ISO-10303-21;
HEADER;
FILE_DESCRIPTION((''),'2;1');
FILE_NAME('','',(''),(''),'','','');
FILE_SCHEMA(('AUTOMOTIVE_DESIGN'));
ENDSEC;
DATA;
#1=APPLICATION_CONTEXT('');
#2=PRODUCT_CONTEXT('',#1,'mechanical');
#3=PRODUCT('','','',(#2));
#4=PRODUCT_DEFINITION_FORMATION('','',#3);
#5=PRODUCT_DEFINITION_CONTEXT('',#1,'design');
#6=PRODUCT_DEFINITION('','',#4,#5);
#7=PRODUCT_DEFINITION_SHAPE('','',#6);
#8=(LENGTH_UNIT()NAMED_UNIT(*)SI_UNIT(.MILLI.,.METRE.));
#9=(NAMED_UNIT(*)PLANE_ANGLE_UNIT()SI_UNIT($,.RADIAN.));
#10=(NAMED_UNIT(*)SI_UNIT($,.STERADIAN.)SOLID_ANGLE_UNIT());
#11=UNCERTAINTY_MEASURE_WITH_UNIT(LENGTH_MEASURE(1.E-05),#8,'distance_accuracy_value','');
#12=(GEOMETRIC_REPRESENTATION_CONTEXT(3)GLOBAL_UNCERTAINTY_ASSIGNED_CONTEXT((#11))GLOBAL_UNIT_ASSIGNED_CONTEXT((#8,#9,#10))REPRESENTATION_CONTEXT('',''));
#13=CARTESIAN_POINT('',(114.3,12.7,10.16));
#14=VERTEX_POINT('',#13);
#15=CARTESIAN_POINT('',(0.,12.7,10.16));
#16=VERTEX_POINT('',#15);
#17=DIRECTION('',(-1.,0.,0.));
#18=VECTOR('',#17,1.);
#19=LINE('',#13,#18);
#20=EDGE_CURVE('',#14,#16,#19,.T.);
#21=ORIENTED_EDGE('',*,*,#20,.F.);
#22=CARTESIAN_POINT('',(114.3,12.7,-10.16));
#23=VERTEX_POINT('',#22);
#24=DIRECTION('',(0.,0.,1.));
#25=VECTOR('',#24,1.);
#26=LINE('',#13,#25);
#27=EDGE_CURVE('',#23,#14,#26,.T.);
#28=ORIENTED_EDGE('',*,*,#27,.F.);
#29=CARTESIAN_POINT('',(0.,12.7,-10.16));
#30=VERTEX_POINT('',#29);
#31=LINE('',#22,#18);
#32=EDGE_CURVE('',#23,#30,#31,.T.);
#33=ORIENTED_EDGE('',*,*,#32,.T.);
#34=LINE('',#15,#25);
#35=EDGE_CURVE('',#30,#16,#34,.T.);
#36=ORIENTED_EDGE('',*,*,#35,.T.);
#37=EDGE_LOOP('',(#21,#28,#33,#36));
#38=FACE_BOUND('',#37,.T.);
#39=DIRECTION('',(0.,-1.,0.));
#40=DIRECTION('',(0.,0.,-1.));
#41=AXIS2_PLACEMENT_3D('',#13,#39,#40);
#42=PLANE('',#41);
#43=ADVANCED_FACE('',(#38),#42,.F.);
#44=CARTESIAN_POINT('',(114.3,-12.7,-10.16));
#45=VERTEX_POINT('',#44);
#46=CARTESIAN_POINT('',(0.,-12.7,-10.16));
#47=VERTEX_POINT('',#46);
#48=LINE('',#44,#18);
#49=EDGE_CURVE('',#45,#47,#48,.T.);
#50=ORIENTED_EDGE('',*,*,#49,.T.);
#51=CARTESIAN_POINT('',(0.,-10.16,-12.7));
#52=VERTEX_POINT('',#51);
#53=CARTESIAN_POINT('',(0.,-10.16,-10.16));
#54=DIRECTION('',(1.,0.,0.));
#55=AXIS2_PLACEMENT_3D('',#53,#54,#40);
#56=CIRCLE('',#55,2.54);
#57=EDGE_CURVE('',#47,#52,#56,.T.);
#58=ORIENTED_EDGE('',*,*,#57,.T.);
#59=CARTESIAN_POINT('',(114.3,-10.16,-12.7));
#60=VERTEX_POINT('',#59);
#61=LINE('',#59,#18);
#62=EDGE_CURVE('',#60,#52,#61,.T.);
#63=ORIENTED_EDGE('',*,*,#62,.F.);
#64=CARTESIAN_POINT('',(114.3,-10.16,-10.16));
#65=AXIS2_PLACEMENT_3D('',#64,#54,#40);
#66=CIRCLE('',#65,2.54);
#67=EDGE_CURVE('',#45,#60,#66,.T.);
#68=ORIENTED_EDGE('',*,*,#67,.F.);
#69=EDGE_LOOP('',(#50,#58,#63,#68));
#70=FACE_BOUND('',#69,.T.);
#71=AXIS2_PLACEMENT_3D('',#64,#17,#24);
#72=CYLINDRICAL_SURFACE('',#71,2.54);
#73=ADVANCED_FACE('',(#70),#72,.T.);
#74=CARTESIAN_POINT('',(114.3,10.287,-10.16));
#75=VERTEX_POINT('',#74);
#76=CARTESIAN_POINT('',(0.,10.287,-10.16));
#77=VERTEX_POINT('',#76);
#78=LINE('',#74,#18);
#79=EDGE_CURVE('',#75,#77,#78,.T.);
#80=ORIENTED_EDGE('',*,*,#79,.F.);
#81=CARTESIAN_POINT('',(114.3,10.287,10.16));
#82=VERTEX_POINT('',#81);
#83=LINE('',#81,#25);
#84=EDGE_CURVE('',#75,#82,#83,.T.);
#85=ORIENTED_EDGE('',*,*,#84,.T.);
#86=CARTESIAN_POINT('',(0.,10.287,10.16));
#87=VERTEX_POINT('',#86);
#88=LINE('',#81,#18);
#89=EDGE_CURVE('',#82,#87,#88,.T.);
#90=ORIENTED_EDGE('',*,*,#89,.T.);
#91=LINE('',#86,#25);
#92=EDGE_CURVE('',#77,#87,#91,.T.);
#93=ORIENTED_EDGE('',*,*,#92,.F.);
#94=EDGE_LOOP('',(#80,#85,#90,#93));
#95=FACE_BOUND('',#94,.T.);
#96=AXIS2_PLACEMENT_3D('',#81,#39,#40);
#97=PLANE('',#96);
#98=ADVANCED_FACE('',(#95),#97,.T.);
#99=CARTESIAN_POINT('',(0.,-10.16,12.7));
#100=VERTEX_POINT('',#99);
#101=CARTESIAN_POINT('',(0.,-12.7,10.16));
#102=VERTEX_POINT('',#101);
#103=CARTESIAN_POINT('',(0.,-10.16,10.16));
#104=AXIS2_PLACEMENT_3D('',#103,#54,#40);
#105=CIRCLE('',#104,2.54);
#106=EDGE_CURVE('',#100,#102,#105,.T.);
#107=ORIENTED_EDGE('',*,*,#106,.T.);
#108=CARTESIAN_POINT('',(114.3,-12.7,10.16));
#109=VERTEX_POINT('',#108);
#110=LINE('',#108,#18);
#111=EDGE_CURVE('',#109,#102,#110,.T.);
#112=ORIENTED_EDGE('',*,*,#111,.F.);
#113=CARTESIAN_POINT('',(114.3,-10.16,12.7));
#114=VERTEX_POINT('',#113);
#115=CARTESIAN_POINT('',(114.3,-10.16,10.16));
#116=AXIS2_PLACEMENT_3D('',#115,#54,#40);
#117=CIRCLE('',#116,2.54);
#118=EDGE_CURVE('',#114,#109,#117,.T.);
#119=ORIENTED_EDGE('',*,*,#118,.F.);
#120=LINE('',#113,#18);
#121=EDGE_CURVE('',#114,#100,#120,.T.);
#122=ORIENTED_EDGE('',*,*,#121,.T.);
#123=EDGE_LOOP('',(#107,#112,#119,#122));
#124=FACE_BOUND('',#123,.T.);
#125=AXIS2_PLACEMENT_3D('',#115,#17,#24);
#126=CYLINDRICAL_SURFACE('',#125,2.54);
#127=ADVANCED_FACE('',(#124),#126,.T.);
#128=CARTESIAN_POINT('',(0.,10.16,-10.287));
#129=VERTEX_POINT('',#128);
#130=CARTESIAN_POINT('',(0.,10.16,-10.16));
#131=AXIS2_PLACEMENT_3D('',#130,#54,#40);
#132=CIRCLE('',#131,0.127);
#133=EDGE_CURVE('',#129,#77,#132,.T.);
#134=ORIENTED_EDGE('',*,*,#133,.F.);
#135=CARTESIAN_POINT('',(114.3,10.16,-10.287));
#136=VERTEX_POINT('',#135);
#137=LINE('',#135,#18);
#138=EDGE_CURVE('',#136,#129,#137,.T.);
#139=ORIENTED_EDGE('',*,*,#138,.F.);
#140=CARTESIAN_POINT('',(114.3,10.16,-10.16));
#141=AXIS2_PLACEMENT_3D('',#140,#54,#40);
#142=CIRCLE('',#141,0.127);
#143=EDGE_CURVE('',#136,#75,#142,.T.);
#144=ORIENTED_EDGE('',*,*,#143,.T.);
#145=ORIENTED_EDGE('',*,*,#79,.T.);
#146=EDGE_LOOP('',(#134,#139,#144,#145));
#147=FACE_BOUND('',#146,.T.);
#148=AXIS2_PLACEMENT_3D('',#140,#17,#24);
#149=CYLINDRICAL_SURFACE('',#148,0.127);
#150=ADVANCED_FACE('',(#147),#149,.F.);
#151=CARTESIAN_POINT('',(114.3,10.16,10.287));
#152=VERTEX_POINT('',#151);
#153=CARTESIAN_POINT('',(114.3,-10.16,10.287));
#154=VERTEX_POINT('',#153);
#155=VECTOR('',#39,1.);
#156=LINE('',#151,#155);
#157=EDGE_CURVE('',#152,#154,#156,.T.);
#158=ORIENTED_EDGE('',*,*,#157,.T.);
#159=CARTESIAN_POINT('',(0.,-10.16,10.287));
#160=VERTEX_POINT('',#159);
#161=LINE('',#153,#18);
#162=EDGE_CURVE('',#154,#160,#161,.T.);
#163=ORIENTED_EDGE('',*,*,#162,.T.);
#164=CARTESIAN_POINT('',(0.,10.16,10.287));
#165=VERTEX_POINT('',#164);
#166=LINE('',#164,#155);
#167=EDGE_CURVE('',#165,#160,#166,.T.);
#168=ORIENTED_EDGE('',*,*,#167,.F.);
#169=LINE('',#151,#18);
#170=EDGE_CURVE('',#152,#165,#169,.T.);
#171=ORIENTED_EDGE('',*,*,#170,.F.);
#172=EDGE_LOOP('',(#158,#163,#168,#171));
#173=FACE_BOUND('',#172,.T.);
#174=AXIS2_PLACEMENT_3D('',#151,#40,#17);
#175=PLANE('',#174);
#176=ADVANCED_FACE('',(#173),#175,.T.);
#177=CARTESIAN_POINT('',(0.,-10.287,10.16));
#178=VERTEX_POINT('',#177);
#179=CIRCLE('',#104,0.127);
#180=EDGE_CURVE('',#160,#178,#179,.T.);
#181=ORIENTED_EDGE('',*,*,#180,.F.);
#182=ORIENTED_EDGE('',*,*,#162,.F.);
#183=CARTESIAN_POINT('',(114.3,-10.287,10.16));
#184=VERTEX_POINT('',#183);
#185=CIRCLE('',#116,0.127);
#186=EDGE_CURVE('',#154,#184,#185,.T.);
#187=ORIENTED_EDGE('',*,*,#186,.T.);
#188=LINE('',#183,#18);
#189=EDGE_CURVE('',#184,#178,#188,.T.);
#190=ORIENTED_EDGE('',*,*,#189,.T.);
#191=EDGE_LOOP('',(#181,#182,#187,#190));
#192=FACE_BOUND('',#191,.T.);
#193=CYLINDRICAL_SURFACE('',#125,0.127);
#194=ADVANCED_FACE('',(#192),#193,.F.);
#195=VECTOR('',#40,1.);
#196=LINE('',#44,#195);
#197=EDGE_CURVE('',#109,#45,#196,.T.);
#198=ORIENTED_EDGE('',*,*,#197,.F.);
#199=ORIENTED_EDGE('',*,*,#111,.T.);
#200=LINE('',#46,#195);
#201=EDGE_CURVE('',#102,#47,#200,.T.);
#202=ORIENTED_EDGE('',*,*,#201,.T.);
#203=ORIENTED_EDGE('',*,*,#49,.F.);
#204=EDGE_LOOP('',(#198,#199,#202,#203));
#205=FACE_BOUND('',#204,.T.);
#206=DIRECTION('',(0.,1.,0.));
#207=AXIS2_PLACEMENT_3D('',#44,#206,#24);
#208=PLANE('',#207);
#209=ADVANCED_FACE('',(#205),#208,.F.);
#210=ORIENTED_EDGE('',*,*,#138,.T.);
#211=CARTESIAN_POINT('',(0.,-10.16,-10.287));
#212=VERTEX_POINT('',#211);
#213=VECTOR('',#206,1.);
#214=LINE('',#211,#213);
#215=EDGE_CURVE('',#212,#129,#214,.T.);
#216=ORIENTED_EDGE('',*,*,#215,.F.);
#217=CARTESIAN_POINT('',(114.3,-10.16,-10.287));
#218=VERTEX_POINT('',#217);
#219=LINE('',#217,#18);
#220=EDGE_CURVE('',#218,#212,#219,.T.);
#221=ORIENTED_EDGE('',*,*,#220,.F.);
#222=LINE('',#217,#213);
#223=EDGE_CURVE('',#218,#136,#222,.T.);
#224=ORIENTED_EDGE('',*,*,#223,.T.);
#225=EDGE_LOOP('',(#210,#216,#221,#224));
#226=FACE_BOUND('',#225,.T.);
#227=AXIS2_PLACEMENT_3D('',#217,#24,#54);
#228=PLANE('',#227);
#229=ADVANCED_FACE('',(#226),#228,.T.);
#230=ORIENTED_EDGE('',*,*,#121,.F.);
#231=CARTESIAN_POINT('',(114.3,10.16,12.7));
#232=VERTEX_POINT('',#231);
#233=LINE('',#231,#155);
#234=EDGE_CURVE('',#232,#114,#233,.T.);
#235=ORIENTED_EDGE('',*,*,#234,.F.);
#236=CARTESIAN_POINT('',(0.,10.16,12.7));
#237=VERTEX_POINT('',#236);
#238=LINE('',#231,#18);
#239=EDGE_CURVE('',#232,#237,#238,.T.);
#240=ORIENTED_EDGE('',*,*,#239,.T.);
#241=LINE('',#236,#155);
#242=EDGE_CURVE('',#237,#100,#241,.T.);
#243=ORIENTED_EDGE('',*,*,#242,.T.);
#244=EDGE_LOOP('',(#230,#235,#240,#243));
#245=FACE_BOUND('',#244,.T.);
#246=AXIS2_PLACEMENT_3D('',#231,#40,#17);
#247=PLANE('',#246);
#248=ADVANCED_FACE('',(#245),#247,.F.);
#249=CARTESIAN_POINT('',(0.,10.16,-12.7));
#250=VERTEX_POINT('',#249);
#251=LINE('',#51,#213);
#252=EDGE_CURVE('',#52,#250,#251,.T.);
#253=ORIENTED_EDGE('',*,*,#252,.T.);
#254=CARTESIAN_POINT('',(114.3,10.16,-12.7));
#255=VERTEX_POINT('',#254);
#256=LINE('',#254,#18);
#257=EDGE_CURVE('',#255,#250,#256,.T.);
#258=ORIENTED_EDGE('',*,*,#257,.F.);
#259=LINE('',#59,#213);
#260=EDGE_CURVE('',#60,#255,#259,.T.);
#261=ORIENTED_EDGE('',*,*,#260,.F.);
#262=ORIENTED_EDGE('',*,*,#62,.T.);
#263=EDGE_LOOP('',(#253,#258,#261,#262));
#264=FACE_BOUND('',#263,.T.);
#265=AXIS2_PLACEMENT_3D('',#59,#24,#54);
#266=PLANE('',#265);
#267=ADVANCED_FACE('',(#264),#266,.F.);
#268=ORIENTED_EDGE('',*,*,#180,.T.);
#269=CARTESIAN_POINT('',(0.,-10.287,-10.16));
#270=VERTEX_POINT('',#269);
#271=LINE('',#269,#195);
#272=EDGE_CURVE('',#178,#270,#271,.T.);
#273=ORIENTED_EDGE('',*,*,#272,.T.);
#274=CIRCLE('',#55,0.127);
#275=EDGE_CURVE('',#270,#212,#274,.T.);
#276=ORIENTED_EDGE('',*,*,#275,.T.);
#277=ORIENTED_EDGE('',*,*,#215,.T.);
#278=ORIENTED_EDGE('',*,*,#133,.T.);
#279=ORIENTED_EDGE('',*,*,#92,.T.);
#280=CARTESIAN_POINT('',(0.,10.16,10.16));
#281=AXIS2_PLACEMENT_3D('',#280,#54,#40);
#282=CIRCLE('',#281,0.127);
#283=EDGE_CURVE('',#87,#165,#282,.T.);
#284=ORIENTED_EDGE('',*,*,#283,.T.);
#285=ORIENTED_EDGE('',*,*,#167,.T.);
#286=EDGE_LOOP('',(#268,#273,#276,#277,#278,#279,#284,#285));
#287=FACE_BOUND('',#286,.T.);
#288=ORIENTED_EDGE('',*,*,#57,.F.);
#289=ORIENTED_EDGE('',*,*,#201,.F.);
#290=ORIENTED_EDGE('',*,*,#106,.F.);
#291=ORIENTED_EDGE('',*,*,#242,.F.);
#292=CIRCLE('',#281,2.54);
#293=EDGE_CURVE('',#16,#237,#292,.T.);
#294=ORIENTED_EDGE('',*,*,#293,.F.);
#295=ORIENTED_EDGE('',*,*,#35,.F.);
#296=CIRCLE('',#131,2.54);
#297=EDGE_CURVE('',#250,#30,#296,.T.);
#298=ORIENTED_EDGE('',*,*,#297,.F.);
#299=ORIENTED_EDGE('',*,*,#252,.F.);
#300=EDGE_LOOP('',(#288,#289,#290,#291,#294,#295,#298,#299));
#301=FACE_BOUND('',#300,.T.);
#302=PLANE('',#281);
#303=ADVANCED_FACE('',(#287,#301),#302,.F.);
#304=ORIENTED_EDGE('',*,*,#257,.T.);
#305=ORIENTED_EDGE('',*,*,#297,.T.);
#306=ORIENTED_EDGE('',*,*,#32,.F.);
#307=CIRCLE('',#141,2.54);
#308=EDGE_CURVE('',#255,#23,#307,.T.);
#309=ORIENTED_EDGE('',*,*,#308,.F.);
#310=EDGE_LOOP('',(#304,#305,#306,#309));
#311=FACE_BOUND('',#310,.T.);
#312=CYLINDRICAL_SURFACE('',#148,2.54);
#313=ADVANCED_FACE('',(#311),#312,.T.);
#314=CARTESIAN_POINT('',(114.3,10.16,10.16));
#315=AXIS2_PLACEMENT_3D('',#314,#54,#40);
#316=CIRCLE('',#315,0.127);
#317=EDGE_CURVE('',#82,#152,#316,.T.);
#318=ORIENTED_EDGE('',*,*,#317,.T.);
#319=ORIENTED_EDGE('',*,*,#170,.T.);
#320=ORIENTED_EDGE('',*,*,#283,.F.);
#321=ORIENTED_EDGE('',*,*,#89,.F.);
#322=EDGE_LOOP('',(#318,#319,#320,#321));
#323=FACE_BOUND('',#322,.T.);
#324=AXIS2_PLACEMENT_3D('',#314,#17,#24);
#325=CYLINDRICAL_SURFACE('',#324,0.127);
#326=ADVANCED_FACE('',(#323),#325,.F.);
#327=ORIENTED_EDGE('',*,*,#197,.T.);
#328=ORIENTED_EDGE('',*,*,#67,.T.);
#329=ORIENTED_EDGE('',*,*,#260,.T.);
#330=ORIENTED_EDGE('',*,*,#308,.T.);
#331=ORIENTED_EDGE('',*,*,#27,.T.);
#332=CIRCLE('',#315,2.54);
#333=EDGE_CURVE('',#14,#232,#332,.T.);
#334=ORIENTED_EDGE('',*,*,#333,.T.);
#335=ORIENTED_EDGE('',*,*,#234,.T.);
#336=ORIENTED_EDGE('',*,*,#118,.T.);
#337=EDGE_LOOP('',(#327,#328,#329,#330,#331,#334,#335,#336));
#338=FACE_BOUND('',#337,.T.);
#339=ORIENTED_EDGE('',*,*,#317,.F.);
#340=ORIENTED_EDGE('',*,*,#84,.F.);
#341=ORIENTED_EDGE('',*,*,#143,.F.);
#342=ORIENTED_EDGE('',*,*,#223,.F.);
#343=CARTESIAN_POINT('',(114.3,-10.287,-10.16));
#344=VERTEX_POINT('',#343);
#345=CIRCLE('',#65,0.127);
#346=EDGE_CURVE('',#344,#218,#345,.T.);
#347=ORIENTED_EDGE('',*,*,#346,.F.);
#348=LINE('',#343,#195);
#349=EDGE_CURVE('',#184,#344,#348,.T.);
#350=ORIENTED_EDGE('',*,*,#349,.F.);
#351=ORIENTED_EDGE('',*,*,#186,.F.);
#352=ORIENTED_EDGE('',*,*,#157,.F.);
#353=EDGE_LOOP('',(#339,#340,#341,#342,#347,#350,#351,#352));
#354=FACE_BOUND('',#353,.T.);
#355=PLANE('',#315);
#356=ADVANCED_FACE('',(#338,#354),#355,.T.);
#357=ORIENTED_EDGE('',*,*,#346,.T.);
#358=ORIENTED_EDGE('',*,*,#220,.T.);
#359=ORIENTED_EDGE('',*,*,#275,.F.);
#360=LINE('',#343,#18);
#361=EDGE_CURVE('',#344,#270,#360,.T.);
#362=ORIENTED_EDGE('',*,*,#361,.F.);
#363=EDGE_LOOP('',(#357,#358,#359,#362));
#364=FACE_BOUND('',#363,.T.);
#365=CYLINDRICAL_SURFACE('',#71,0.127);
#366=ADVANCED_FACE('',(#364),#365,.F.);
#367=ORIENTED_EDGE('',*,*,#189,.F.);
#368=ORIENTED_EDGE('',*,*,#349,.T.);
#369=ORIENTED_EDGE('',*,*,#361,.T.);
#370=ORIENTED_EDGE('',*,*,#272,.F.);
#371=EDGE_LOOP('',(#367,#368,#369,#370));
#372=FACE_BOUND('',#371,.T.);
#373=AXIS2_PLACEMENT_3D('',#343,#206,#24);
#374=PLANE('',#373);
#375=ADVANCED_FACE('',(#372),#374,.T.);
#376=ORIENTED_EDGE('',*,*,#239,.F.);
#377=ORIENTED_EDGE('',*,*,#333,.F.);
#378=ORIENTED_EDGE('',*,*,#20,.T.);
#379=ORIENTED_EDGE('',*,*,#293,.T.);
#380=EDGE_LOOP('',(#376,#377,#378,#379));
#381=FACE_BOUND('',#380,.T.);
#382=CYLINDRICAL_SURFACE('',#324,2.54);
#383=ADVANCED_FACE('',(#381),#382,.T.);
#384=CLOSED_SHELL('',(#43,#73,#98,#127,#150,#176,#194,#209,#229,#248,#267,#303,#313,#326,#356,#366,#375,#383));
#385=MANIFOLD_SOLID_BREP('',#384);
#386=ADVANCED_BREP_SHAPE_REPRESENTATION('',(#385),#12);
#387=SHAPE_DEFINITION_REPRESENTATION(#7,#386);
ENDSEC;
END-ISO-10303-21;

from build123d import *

# Parameters (mm, degrees)
SQUARE_TUBE_CONFIGURED_2_X_2_X_0_25_1_DEPTH = 114.3


with BuildPart() as part:
    # Sketch11 → Square tube - configured 2 X 2 X 0.25(1) (new body)
    with BuildSketch(Plane.YZ):
        with BuildLine():
            Line((-10.16, -12.7), (10.16, -12.7))
            ThreePointArc((10.16, -12.7), (11.956051224, -11.956051224), (12.7, -10.16))
            Line((12.7, -10.16), (12.7, 10.16))
            ThreePointArc((12.7, 10.16), (11.956051224, 11.956051224), (10.16, 12.7))
            Line((10.16, 12.7), (-10.16, 12.7))
            ThreePointArc((-10.16, 12.7), (-11.956051224, 11.956051224), (-12.7, 10.16))
            Line((-12.7, 10.16), (-12.7, -10.16))
            ThreePointArc((-12.7, -10.16), (-11.956051224, -11.956051224), (-10.16, -12.7))
        make_face()
        with BuildLine():
            Line((-10.16, -10.287), (10.16, -10.287))
            ThreePointArc((10.16, -10.287), (10.249802561, -10.249802561), (10.287, -10.16))
            Line((10.287, -10.16), (10.287, 10.16))
            ThreePointArc((10.287, 10.16), (10.249802561, 10.249802561), (10.16, 10.287))
            Line((10.16, 10.287), (-10.16, 10.287))
            ThreePointArc((-10.16, 10.287), (-10.249802561, 10.249802561), (-10.287, 10.16))
            Line((-10.287, 10.16), (-10.287, -10.16))
            ThreePointArc((-10.287, -10.16), (-10.249802561, -10.249802561), (-10.16, -10.287))
        make_face(mode=Mode.SUBTRACT)
    extrude(amount=SQUARE_TUBE_CONFIGURED_2_X_2_X_0_25_1_DEPTH)


solid = part.part
